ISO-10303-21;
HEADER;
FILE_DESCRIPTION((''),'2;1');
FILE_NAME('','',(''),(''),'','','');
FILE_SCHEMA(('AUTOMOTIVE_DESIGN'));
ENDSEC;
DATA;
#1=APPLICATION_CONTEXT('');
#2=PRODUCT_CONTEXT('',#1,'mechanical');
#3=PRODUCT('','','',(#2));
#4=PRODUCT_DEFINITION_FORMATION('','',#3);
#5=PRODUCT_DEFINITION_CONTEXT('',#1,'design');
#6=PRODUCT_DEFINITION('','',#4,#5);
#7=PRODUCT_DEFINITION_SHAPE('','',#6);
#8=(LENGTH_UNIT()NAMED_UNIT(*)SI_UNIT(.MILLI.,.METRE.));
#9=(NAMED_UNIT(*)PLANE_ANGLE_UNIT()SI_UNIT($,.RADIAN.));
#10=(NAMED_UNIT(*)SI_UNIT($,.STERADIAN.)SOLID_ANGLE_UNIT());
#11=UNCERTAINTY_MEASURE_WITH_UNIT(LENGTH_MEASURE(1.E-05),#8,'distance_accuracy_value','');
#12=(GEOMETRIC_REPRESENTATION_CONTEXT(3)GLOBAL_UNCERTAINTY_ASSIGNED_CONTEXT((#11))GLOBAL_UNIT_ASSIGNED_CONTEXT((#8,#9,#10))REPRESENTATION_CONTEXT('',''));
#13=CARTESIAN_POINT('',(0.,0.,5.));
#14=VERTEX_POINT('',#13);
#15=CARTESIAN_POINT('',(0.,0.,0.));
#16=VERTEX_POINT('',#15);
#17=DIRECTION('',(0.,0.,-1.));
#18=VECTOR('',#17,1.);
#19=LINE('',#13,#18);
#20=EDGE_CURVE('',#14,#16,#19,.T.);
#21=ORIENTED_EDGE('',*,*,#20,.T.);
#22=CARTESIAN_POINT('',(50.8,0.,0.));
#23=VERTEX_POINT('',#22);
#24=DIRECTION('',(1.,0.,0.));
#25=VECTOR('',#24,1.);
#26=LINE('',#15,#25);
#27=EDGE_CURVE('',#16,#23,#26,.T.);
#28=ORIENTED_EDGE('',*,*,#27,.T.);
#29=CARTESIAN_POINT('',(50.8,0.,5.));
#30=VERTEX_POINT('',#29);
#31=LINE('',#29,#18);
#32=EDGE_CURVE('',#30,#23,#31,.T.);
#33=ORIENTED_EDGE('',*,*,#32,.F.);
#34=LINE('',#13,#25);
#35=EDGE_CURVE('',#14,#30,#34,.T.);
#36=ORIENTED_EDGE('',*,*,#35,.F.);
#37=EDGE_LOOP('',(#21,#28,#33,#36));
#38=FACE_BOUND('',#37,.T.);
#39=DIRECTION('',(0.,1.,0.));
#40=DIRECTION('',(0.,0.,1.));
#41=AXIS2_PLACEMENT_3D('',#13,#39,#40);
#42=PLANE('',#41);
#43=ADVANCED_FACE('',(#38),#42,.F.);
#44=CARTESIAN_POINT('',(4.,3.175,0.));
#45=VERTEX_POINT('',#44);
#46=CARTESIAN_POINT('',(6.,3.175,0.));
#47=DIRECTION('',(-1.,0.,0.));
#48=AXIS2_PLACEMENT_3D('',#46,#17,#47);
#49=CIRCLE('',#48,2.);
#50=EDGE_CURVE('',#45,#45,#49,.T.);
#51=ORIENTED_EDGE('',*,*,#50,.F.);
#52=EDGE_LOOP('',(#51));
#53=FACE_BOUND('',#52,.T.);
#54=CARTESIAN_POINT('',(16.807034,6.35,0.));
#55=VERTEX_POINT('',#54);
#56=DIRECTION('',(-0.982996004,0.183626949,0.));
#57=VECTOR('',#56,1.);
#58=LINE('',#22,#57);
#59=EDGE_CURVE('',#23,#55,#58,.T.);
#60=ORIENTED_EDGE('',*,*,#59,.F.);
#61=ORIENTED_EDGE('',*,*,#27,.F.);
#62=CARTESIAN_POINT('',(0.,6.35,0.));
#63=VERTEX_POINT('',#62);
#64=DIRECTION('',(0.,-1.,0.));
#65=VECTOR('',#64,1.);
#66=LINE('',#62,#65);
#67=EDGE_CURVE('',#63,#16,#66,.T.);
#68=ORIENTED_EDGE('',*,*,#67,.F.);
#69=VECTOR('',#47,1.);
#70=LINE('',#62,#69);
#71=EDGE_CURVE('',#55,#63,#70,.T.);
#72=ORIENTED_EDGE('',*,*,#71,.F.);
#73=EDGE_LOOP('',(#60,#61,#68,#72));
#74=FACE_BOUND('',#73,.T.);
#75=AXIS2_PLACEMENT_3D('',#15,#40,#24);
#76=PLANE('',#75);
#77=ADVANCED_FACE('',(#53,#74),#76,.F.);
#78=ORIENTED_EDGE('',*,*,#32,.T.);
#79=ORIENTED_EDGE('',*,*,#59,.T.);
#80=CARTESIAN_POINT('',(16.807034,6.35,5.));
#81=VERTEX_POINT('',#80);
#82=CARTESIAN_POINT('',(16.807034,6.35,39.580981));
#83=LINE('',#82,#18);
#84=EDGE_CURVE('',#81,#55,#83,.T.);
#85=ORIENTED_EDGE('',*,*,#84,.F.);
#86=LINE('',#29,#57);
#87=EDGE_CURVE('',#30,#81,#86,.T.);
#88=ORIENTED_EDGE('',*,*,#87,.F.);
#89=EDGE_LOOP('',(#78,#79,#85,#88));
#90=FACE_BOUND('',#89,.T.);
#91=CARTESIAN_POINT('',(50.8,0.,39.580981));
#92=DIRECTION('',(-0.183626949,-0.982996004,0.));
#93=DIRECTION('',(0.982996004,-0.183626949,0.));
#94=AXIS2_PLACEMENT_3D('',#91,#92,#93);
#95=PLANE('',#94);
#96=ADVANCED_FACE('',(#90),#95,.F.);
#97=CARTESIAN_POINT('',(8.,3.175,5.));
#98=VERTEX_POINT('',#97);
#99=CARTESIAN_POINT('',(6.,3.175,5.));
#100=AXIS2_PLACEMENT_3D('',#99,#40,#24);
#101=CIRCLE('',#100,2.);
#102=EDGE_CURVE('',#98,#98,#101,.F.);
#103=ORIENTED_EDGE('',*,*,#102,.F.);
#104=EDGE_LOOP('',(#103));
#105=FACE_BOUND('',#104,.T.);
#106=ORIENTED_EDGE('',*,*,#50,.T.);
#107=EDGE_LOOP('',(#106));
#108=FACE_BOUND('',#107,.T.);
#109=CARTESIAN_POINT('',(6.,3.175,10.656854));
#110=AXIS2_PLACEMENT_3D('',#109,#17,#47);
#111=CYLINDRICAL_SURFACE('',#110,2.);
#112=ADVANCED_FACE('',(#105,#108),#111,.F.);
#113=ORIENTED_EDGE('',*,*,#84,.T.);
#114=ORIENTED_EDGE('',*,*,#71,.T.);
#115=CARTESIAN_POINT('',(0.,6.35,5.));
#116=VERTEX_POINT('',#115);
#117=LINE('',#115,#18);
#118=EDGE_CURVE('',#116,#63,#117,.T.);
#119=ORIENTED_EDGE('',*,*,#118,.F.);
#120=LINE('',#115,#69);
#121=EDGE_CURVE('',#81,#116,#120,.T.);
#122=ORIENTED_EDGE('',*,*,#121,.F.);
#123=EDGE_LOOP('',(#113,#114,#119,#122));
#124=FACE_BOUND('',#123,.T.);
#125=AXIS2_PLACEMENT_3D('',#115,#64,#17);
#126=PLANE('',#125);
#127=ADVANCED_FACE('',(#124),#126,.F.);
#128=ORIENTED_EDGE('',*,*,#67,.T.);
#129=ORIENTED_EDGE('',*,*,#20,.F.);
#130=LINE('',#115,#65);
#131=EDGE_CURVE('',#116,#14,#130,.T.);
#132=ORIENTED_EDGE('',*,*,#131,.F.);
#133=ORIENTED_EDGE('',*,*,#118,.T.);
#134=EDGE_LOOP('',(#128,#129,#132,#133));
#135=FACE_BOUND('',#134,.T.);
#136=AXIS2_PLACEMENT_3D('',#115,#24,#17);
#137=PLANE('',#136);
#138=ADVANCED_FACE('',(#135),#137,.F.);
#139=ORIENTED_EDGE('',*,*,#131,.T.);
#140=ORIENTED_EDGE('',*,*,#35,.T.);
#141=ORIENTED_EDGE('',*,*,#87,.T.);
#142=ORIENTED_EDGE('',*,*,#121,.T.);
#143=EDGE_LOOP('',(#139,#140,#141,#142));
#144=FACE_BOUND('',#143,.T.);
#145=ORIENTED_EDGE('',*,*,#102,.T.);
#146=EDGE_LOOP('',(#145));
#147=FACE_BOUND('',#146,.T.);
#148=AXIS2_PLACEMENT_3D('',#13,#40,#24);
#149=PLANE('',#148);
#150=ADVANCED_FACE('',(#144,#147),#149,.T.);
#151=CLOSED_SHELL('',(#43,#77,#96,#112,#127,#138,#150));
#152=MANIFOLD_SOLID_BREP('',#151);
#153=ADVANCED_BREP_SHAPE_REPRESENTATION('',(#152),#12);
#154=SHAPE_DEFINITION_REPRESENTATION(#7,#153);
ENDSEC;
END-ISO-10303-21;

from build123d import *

# Parameters (mm, degrees)
SKETCH1_W           = 50.8
SKETCH1_H           = 6.35
BOSS_EXTRUDE1_DEPTH = 5
SKETCH2_R           = 2
CUT_EXTRUDE1_DEPTH  = 5
CUT_EXTRUDE2_DEPTH  = 5


with BuildPart() as part:
    # Sketch1 → Boss-Extrude1 (new body)
    with BuildSketch(Plane.XY):
        with Locations((25.4, 3.175)):
            Rectangle(SKETCH1_W, SKETCH1_H)
    extrude(amount=BOSS_EXTRUDE1_DEPTH)

    # Sketch2 → Cut-Extrude1 (cut)
    with BuildSketch(Plane(origin=(0, 0, 0), x_dir=(-1, 0, 0), z_dir=(0, 0, -1))):
        with Locations((-6, 3.175)):
            Circle(SKETCH2_R)
    extrude(amount=-CUT_EXTRUDE1_DEPTH, mode=Mode.SUBTRACT)

    # Sketch3 → Cut-Extrude2 (cut)
    with BuildSketch(Plane(origin=(0, 0, 0), x_dir=(-1, 0, 0), z_dir=(0, 0, -1))):
        Polygon((-50.8, 0), (-16.807033998, 6.35), (-50.8, 6.35), align=None)
    extrude(amount=-CUT_EXTRUDE2_DEPTH, mode=Mode.SUBTRACT)


solid = part.part
